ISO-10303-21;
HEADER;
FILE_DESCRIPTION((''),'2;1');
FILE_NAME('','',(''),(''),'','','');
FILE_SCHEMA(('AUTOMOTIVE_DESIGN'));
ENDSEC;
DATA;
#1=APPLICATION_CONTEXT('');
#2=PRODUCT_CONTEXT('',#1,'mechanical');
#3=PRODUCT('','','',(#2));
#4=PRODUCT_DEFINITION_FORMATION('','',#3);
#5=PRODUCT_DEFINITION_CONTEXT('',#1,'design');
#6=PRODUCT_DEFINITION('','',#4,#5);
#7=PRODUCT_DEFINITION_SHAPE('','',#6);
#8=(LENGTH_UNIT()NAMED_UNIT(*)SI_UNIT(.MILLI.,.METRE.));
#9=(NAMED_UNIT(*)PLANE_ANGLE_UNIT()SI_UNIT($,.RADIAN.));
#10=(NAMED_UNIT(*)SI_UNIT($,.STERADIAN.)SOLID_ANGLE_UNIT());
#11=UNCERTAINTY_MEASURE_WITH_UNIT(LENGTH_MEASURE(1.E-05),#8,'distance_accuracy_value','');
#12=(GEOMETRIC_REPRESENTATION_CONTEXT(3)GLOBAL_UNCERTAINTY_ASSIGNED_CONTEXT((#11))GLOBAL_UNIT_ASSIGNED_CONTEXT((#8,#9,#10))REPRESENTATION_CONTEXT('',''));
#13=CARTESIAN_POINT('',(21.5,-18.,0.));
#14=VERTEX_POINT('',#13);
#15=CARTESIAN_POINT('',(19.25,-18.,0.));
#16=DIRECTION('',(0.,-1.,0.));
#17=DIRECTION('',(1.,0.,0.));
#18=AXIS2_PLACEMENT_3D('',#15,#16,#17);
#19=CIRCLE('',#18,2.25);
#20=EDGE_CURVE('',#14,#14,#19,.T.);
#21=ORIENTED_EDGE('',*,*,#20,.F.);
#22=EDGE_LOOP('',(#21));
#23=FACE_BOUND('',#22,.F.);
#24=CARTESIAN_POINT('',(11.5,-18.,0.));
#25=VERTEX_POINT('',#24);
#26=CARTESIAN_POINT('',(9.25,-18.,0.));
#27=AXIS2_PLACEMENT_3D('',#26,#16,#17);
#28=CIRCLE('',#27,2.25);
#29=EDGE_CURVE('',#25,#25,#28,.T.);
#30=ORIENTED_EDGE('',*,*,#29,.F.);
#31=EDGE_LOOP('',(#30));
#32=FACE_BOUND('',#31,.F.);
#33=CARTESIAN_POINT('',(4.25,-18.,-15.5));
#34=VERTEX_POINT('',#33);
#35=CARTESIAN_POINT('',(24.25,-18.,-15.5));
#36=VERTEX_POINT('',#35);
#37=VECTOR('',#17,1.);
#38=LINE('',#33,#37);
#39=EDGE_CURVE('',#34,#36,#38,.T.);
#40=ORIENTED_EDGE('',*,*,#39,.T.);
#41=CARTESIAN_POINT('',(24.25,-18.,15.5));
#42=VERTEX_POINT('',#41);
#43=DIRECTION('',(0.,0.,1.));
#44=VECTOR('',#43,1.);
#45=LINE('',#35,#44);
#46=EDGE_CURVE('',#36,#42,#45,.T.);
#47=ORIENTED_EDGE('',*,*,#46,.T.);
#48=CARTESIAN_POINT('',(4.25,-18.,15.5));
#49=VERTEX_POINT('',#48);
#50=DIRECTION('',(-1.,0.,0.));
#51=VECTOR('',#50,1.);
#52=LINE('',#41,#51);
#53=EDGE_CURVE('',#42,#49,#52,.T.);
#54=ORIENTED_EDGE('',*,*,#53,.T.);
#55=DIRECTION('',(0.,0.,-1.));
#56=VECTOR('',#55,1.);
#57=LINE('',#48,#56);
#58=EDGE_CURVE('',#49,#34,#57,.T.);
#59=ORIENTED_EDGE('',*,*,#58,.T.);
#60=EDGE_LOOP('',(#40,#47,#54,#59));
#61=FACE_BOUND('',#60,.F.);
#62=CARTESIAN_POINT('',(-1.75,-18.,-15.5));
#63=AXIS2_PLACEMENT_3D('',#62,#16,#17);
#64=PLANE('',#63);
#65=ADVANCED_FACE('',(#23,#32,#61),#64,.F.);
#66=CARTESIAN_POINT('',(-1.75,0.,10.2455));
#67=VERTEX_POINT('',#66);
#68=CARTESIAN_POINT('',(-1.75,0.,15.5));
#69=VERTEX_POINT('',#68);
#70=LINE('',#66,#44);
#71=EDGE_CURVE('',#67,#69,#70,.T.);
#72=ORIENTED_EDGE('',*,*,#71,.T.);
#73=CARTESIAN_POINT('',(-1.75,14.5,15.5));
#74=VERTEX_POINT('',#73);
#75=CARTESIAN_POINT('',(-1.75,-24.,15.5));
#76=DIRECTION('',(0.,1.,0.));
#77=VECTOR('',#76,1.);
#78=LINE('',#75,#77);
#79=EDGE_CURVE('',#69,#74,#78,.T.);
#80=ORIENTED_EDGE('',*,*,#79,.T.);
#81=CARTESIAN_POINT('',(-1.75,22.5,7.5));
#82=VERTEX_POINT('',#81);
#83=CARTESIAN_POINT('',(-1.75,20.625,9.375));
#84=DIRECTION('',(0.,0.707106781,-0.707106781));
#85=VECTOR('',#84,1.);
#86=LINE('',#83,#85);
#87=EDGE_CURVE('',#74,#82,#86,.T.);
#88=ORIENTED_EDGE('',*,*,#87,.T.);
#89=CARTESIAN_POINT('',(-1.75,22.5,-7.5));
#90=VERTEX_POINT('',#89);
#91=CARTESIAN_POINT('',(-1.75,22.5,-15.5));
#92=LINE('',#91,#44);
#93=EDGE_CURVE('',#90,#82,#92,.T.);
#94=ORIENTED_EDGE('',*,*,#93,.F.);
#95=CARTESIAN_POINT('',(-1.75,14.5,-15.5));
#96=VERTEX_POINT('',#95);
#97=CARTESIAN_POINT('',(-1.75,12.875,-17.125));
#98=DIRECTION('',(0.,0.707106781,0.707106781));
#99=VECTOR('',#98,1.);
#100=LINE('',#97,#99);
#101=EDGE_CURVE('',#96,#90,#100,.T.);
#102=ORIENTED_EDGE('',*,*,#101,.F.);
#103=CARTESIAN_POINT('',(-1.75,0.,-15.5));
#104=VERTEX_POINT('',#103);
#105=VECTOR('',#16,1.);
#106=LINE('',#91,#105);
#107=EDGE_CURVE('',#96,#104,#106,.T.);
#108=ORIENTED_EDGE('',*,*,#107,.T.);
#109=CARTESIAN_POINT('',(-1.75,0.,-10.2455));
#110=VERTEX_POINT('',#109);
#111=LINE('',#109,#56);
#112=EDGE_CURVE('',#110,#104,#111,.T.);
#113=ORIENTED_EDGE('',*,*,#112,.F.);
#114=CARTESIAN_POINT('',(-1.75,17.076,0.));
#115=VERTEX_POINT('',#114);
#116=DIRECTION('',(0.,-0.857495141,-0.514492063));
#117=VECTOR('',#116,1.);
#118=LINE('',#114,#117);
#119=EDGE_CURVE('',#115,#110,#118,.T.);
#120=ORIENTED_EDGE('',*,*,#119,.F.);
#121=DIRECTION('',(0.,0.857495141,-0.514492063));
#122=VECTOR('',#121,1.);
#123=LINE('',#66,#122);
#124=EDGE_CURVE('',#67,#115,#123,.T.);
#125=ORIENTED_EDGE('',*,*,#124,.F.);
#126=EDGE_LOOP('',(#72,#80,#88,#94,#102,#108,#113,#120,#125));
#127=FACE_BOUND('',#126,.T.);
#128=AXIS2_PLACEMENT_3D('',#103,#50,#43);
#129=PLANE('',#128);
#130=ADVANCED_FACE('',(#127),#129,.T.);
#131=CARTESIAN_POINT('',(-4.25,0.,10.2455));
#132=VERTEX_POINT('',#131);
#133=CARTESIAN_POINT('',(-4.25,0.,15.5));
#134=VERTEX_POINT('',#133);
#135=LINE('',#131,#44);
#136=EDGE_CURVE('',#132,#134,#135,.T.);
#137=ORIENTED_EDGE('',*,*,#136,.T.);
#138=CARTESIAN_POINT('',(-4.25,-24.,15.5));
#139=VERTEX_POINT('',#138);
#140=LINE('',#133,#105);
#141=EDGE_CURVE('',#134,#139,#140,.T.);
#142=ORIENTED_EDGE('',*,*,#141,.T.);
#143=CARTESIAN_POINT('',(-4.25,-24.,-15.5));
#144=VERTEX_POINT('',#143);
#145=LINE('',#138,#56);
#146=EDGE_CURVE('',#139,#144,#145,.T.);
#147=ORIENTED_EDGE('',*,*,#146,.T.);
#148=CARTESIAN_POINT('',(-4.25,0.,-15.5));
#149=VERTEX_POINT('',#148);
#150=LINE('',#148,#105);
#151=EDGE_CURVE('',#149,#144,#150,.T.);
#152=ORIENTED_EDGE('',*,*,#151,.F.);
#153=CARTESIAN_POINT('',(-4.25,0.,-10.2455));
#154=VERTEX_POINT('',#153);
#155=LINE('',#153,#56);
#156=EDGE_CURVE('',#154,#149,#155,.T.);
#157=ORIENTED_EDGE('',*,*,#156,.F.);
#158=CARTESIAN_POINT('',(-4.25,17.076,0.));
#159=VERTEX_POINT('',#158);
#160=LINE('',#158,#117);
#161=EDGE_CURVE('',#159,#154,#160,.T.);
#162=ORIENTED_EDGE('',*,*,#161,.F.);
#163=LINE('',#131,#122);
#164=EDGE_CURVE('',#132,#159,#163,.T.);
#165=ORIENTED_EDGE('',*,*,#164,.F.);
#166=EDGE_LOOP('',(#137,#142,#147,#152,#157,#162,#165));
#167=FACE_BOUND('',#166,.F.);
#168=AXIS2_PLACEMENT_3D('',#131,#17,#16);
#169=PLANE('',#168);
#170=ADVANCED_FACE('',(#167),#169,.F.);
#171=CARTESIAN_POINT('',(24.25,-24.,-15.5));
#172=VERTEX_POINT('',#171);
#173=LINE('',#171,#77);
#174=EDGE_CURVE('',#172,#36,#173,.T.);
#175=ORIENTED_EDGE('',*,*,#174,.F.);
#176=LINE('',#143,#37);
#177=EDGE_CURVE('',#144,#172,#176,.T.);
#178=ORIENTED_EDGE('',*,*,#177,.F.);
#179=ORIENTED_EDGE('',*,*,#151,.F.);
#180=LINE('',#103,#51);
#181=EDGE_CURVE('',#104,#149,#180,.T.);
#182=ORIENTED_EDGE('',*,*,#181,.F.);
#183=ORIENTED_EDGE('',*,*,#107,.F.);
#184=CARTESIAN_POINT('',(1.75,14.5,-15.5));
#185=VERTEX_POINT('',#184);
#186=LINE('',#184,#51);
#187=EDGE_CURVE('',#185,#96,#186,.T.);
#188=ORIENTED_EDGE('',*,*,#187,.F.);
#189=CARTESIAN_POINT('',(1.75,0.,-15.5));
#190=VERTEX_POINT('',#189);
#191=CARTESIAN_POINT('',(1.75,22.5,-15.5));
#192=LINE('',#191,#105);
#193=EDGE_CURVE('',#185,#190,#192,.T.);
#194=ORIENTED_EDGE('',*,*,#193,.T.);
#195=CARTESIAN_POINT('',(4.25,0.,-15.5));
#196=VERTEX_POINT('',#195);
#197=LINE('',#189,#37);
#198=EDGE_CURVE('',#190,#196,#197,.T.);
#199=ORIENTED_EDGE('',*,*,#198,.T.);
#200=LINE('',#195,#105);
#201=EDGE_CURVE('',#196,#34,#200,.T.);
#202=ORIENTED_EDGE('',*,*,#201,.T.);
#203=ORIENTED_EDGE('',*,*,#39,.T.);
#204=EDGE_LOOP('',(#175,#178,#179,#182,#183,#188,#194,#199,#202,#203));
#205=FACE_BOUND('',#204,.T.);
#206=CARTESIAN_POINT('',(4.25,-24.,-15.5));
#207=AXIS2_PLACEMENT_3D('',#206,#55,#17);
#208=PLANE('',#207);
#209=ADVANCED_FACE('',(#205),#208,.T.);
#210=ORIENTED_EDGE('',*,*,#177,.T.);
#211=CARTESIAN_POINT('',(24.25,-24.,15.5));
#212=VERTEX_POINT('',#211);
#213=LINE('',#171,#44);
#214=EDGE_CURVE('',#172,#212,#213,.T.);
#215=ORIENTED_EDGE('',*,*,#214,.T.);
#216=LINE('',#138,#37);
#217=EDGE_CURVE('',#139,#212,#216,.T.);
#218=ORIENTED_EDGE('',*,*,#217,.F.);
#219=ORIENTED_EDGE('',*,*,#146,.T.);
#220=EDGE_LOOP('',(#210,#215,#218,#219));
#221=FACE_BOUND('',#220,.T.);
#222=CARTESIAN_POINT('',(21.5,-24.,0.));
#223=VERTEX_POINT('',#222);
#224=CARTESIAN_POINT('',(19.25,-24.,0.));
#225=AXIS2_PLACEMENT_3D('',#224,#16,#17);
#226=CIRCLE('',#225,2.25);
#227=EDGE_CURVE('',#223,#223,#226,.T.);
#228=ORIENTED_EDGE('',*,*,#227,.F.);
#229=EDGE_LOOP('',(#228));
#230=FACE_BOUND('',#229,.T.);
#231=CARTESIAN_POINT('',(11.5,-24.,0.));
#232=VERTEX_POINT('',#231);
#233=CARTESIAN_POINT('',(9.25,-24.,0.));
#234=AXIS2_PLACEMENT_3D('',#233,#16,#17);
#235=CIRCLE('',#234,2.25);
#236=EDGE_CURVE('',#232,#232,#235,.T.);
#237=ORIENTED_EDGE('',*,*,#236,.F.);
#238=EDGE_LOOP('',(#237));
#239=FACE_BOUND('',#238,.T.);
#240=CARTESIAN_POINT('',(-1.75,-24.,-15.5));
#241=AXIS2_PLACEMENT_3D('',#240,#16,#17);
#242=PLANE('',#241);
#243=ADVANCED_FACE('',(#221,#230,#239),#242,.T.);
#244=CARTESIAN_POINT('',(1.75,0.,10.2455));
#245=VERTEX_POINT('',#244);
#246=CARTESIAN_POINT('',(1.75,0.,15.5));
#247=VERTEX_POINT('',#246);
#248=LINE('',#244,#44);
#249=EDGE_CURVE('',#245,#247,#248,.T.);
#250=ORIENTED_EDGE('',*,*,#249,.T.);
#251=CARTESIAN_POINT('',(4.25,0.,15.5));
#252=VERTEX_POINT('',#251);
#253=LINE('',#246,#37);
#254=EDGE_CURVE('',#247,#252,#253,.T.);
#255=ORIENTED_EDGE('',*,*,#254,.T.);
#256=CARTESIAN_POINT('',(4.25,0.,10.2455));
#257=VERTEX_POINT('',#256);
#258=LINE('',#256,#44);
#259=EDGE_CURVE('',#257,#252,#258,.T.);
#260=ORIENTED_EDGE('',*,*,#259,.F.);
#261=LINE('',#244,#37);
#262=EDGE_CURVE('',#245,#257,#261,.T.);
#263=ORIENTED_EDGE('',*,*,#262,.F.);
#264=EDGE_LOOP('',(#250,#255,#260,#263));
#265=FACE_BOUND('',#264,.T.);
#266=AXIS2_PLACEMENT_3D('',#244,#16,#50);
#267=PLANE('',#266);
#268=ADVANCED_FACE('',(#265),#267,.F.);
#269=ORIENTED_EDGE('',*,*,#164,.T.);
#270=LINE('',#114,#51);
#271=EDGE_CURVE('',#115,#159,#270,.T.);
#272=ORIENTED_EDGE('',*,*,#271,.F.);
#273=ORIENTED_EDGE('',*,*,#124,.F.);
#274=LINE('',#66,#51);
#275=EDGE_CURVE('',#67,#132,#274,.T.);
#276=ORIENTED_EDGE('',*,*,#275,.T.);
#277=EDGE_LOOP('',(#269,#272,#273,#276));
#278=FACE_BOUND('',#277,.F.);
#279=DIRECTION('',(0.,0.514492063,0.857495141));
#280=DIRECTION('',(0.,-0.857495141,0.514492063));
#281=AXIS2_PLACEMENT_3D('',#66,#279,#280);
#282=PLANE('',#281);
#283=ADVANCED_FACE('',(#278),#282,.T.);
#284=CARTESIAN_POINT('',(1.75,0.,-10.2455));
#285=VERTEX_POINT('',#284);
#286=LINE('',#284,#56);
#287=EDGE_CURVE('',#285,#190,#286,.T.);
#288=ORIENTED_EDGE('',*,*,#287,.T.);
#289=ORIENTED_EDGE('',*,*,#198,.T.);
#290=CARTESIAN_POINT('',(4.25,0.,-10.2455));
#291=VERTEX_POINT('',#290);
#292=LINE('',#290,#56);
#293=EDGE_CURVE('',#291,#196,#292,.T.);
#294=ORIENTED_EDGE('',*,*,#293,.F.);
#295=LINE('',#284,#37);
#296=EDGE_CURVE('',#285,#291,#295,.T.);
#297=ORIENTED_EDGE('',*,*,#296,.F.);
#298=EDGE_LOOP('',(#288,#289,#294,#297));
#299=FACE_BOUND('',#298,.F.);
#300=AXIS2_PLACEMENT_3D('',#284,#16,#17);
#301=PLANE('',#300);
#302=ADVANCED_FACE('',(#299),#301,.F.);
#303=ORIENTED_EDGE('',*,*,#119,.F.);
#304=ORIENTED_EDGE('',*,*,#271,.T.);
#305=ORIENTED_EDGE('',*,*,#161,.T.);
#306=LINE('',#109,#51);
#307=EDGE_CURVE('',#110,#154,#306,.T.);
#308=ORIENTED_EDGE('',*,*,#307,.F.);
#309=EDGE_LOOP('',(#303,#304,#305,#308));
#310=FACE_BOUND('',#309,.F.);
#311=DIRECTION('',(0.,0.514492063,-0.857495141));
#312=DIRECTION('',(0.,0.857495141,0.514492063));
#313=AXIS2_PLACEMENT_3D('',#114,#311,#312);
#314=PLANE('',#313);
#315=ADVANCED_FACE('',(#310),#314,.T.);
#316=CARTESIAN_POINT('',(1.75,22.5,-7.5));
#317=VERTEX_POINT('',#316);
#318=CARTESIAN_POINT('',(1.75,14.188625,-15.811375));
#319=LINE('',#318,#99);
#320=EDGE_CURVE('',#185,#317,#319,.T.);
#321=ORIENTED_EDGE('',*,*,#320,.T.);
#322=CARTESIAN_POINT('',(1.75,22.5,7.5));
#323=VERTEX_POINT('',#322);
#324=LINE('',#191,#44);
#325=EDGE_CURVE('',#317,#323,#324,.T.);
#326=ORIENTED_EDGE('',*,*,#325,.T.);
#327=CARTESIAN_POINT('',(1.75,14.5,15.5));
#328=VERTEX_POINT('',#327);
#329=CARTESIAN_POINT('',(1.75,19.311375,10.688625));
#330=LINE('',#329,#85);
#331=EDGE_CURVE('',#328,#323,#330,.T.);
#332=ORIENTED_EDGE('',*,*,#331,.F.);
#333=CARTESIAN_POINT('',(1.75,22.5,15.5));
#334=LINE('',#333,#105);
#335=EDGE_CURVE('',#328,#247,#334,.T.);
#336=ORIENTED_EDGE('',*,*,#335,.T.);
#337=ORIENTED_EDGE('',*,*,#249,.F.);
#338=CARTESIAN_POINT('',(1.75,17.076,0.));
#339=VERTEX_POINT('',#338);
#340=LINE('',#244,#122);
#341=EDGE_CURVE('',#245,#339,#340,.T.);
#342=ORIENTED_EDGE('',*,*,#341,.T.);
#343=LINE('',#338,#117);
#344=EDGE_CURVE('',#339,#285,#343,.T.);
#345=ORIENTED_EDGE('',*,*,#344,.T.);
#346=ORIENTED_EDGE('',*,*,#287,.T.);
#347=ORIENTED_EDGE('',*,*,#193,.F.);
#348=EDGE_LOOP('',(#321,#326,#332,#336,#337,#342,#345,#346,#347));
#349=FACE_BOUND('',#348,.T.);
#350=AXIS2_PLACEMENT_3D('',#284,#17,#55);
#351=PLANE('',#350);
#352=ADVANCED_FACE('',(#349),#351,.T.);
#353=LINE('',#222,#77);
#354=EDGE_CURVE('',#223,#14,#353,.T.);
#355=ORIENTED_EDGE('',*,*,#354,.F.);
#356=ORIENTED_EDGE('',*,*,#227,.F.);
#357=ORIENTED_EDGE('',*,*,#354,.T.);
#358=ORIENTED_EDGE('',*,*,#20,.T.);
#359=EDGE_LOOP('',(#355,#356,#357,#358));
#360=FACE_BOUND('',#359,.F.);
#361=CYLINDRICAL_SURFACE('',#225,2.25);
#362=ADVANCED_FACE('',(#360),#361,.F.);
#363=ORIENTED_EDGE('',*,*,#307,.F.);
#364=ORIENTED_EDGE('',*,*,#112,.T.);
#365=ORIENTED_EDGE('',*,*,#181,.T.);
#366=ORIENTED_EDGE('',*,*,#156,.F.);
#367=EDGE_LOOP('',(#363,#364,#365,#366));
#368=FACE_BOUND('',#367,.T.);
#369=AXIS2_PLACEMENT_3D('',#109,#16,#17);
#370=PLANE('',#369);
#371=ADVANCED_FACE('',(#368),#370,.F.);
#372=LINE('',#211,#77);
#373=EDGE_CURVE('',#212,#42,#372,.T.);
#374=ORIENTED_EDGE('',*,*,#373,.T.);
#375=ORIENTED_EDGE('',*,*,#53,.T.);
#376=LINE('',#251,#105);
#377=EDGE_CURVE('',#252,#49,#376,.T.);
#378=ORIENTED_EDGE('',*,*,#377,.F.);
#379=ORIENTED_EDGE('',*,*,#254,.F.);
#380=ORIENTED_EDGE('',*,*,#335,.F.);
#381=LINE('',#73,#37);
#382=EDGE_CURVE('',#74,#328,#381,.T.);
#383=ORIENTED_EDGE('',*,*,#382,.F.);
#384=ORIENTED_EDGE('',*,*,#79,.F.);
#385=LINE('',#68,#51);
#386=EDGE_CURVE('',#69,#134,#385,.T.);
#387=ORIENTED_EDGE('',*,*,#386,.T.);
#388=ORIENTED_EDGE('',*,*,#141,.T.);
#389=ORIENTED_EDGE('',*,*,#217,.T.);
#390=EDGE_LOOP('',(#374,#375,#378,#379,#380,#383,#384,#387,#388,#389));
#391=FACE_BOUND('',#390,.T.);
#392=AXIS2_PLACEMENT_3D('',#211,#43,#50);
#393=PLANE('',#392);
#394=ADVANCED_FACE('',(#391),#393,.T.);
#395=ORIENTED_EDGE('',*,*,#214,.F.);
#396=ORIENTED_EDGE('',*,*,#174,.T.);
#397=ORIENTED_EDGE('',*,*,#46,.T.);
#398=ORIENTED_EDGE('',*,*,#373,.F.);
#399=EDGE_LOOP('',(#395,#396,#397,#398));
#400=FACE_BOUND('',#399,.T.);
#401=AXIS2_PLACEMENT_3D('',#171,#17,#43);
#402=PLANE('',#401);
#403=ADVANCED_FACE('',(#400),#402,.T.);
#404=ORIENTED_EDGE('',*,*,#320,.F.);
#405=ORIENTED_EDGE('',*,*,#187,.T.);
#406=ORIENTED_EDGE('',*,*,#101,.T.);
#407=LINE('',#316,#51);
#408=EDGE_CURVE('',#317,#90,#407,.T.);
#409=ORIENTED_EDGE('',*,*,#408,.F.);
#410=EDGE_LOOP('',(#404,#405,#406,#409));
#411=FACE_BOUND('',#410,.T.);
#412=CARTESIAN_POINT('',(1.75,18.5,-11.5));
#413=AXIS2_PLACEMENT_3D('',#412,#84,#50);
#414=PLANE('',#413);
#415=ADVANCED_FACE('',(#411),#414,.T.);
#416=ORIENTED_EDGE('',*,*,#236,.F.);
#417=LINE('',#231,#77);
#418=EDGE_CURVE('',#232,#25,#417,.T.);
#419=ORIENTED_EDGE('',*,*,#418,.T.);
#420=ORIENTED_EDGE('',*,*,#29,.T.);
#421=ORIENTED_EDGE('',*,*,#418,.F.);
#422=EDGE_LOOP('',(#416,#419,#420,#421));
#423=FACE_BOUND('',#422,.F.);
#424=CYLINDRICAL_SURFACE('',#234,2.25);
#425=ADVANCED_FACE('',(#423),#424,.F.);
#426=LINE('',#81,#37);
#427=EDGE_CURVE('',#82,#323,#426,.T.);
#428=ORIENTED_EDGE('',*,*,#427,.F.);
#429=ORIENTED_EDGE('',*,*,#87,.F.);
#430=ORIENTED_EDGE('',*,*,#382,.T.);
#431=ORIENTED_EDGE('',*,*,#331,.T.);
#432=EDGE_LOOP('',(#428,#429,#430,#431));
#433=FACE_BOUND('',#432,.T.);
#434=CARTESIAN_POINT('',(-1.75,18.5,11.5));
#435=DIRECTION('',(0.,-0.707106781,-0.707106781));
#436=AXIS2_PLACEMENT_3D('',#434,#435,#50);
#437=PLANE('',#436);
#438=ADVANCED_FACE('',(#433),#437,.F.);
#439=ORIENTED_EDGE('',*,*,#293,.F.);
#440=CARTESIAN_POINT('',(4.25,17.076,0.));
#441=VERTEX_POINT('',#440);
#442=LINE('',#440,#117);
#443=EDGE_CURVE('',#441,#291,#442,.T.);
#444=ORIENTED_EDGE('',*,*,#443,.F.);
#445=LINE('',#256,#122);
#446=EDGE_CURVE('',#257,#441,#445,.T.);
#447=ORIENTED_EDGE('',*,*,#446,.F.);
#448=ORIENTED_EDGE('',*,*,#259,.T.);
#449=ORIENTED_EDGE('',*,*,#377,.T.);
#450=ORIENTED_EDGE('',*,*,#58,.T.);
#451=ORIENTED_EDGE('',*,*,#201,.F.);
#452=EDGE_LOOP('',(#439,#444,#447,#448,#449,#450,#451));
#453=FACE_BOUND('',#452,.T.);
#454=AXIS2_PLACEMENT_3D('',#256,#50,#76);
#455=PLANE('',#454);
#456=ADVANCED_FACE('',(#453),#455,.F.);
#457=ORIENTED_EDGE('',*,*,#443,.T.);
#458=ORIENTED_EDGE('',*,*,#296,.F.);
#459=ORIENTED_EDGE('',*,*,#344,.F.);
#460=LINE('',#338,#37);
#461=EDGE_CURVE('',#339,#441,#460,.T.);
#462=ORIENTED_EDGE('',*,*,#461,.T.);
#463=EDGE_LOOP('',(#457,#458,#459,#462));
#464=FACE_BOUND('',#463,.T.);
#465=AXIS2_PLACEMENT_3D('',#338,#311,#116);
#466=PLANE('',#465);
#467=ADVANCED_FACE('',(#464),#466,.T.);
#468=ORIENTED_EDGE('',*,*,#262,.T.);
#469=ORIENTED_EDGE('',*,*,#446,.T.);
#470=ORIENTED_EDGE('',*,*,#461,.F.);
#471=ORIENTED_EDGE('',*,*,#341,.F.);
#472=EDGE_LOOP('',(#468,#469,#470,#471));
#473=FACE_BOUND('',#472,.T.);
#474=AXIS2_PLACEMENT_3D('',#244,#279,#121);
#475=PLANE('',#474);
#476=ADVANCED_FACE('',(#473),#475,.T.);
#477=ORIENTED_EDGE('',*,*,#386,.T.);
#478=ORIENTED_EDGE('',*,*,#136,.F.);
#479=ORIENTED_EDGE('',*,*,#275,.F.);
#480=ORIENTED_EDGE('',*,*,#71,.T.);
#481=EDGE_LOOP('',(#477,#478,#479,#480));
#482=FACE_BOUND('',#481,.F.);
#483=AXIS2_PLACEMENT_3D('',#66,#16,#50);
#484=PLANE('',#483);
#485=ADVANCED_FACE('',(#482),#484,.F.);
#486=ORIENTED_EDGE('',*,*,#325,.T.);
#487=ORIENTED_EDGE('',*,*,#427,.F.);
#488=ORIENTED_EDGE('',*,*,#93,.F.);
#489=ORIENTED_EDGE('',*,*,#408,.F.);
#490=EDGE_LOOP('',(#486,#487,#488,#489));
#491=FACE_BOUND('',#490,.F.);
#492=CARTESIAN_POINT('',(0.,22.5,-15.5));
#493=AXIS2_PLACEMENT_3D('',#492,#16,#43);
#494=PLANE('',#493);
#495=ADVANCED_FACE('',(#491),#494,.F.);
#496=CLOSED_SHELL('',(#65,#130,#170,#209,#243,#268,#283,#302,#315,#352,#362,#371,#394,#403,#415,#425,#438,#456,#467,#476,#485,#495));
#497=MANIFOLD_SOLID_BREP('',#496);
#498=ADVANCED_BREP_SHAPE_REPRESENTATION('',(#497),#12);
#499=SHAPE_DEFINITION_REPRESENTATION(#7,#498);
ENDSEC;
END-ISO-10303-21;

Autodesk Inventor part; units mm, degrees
ref_plane "YZ Plane" through (0, 0, 0) normal (1, 0, 0) x (0, 1, 0)
ref_plane "XZ Plane" through (0, 0, 0) normal (0, 1, 0) x (-1, 0, 0)
ref_plane "XY Plane" through (0, 0, 0) normal (0, 0, 1) x (1, 0, 0)
sketch "Sketch1" plane through (0, 0, 0) normal (1, 0, 0) x (0, 1, 0)
  line L0 (22.5, 15.5) -> (0, 15.5)
  line L1 (0, 15.5) -> (0, -15.5)
  line L2 (0, -15.5) -> (22.5, -15.5)
  line L3 (22.5, -15.5) -> (22.5, 15.5)
  line L4 (0, -21.7) -> (0, 21.7) projected
  point P0 (0, 0)
  point P1 (22.5, 0)
  dimension "d0" = 31
  dimension "d1" = 22.5
extrude "Extrusion1" add sketch "Sketch1" along normal mid plane 3.5
sketch "Sketch2" plane through (1.75, 0, 0) normal (1, 0, 0) x (0, 0, -1)
  line L0 (-10.2455, 0) -> (0, 17.076)
  line L1 (0, 17.076) -> (10.2455, 0)
  line L2 (-15.5, 0) -> (15.5, 0) projected
  point P0 (0, 0)
  dimension "d31" = 20.491
  dimension "d33" = 17.076
extrude "Extrusion4" add sketch "Sketch2" along normal blind 2.5
mirror "Mirror2" about plane through (0, 0, 0) normal (1, 0, 0) of "Extrusion4"
sketch "Sketch7" plane through (-1.75, 0, -15.5) normal (0, -1, 0) x (1, 0, 0)
  line L0 (0, 0) -> (3.5, 0) projected
  line L1 (3.5, 5.2545) -> (3.5, 0) projected
  line L2 (3.5, 5.2545) -> (6, 5.2545) projected
  line L3 (6, 25.7455) -> (6, 5.2545) projected
  line L4 (3.5, 25.7455) -> (6, 25.7455) projected
  line L5 (3.5, 31) -> (3.5, 25.7455) projected
  line L6 (0, 31) -> (3.5, 31) projected
  line L7 (0, 25.7455) -> (0, 31) projected
  line L8 (0, 25.7455) -> (-2.5, 25.7455) projected
  line L9 (-2.5, 25.7455) -> (-2.5, 5.2545) projected
  line L10 (0, 5.2545) -> (-2.5, 5.2545) projected
  line L11 (0, 0) -> (0, 5.2545) projected
  point P0 (1.75, 15.5)
extrude "Extrusion5" add sketch "Sketch7" along normal blind 24
sketch "Sketch8" plane through (4.25, 0, -10.2455) normal (0, 0, -1) x (-1, 0, 0)
  line L0 (2.5, 0) -> (0, 0) projected
  line L1 (0, 0) -> (0, -24) projected
  line L2 (2.5, -24) -> (0, -24) projected
  line L3 (2.5, 0) -> (2.5, -24) projected
  point P0 (4.25, 0)
extrude "Extrusion6" add sketch "Sketch8" along normal up to surface (5.2545 mm away)
mirror "Mirror3" about plane through (0, 0, 0) normal (0, 0, 1) of "Extrusion6"
mirror "Mirror4" about plane through (0, 0, 0) normal (1, 0, 0) of "Extrusion6", "Mirror3"
sketch "Sketch9" plane through (4.25, 0, 0) normal (1, 0, 0) x (0, 0, -1)
  line L0 (0, 17.076) -> (-10.2455, 0) construction
  line L1 (0, 17.076) -> (0, -24) construction
  line L2 (-15.5, -24) -> (15.5, -24) construction
  line L3 (-5.1228, 8.538) -> (5.1227, 8.538) construction
  line L4 (0, 17.076) -> (10.2455, 0) construction
  line L5 (-7.5227, 4.538) -> (7.5227, 4.538) construction
  line L6 (-13.5227, -5.462) -> (13.5227, -5.462) construction
  point P0 (0, 0)
  dimension "d40" = 4
  dimension "d50" = 10
chamfer "Chamfer1" distance 8 angle 45 2 edges at (0, 22.5, 15.5) (0, 22.5, -15.5)
sketch "Sketch10" plane through (-1.75, -24, -15.5) normal (0, -1, 0) x (1, 0, 0)
  line L0 (6, 31) -> (6, 0) projected
  line L1 (6, 0) -> (26, 0)
  line L2 (26, 0) -> (26, 31)
  line L3 (26, 31) -> (6, 31)
  line L4 (6, 31) -> (6, 0)
  circle A0 centre (21, 15.5) radius 2.25
  circle A1 centre (11, 15.5) radius 2.25
  line L5 (16, 0) -> (16, 31) construction
  point P0 (1.75, 15.5)
  dimension "d63" = 20
  dimension "d64" = 4.5
  dimension "d65" = 10
extrude "Extrusion7" add sketch "Sketch10" against normal blind 6
properties part number "Traingular Hopper Connector v.2"
